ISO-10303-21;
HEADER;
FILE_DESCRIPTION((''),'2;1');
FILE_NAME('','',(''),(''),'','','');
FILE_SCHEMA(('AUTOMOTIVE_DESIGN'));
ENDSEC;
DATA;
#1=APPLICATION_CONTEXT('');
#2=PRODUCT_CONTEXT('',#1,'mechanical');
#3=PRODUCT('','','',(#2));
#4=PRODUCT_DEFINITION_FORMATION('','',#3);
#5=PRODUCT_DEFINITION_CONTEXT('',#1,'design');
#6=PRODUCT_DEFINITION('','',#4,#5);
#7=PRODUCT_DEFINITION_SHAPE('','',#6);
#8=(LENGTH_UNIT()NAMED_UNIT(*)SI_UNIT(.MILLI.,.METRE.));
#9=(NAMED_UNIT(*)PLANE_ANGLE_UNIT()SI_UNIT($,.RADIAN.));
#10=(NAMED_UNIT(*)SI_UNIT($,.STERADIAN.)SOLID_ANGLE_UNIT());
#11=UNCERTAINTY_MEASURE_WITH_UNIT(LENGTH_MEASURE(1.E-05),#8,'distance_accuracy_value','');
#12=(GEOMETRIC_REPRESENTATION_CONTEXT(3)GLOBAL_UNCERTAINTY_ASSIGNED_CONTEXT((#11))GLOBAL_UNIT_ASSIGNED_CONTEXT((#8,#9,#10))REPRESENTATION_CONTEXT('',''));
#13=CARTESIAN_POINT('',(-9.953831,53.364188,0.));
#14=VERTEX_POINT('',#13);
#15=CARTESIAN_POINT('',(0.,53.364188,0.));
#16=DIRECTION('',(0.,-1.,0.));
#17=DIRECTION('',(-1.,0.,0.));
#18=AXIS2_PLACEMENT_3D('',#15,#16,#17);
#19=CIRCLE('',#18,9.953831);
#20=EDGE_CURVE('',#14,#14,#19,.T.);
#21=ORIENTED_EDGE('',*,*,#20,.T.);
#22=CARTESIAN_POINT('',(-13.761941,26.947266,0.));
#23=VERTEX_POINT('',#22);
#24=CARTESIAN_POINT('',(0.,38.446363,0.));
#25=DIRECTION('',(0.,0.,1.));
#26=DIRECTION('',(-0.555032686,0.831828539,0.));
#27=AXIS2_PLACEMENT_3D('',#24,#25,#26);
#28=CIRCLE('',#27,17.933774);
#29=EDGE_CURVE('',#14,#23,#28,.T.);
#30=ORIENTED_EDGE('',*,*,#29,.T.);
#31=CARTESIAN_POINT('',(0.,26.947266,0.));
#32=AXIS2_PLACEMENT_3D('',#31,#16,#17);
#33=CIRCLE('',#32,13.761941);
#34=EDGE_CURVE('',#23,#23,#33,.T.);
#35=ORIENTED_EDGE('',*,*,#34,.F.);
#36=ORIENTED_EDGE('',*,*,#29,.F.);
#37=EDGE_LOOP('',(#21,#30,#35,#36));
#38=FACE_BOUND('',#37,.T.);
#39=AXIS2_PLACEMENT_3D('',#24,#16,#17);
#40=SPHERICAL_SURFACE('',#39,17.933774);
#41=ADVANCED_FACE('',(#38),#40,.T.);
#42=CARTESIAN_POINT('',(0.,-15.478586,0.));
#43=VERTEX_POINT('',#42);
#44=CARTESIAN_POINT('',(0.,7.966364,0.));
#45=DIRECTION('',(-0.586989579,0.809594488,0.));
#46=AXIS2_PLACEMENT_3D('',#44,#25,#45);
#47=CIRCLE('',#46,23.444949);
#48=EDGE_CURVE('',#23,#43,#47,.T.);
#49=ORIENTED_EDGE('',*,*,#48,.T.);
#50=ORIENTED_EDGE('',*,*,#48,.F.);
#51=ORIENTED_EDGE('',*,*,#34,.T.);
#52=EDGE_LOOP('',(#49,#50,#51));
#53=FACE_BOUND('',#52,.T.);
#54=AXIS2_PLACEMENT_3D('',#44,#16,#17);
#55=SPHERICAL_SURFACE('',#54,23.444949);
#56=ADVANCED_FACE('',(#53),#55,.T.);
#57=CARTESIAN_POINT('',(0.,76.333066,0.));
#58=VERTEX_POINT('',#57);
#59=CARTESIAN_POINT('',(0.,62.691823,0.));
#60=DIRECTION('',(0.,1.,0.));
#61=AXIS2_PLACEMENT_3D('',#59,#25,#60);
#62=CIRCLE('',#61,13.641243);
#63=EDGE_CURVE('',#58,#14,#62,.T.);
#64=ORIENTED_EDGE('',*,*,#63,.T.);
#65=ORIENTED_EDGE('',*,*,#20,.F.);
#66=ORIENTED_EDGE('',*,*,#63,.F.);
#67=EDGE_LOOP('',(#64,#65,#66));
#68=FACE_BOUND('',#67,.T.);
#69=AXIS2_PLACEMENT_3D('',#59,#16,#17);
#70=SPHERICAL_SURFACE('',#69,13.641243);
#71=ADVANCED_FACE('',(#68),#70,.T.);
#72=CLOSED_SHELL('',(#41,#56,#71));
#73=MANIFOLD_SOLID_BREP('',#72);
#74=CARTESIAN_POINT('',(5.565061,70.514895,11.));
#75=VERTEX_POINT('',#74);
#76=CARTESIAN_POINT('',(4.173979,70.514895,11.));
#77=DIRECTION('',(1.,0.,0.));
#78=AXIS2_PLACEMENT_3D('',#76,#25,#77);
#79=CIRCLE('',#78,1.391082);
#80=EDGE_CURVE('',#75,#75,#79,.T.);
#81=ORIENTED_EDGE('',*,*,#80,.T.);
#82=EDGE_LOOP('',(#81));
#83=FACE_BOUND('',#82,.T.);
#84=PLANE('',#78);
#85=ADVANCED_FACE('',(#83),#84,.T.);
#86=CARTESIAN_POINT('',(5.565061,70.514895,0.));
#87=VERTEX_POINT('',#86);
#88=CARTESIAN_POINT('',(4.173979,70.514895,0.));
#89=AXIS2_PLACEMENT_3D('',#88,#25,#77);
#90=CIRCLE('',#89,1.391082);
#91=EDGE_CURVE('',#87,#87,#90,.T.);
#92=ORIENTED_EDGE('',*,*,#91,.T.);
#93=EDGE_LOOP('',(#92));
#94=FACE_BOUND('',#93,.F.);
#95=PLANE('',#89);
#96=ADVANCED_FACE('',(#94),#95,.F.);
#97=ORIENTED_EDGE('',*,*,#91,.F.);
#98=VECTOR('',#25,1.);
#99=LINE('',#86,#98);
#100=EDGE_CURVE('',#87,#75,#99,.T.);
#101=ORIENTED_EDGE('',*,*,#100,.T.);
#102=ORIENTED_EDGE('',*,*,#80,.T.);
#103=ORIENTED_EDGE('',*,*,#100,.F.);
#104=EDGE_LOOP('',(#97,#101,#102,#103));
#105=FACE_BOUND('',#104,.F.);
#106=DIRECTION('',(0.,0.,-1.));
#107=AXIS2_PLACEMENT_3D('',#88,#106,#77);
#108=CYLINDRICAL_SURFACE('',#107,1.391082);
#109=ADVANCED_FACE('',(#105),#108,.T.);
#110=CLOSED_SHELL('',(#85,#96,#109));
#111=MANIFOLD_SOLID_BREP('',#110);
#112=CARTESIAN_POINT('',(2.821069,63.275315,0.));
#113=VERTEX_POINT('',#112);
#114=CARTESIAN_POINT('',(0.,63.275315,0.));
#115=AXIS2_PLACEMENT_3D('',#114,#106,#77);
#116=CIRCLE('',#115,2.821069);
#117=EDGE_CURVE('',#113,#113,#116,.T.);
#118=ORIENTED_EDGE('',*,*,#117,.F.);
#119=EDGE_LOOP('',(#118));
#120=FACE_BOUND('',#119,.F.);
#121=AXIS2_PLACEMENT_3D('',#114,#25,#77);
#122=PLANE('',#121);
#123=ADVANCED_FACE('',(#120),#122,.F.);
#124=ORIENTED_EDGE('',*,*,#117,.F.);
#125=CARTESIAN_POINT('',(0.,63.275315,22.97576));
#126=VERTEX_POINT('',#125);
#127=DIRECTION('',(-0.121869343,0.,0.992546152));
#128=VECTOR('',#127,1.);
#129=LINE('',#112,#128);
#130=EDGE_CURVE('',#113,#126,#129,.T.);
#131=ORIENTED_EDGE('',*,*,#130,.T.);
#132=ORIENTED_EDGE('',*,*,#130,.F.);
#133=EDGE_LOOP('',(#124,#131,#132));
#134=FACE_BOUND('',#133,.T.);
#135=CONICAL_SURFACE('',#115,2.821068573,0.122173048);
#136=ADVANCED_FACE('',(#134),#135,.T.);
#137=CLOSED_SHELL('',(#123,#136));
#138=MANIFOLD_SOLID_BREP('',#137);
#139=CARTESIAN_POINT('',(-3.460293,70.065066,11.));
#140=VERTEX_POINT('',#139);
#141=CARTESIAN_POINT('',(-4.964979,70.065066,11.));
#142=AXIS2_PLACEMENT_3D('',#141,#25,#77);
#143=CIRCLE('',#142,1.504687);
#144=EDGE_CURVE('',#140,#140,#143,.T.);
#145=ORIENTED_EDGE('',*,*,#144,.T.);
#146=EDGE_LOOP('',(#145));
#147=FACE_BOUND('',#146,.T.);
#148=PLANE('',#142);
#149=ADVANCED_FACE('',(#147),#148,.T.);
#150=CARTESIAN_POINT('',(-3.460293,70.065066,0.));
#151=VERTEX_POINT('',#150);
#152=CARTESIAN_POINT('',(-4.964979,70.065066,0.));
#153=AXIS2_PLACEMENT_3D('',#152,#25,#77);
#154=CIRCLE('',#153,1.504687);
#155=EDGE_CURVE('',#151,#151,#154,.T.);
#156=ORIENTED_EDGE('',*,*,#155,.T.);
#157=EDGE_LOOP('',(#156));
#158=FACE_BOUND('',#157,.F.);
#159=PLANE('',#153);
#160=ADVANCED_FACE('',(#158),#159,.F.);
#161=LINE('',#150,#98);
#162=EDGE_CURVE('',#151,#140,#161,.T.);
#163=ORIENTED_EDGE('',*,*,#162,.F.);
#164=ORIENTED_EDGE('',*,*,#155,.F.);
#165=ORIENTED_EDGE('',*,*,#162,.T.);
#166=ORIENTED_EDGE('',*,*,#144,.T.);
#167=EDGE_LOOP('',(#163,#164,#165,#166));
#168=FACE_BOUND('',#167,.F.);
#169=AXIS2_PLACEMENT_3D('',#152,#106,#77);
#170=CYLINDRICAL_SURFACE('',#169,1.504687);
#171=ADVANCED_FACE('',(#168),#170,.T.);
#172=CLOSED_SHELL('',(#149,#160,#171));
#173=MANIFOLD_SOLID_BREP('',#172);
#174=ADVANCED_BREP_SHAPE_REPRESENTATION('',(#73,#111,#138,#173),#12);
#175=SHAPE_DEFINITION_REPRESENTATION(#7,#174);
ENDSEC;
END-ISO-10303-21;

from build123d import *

# Parameters (mm, degrees)
F1_R     = 2.8210685725
F2_DEPTH = 76.2
F2_TAPER = 7
F4_R     = 1.3910819669
F5_DEPTH = 11
F4_R_2   = 1.5046868022


with BuildPart() as f2:
    # F1 (on Top) → F2 (new body)
    with BuildSketch(Plane.XY):
        with Locations((0, 63.2753148675)):
            Circle(F1_R)
    extrude(amount=F2_DEPTH, taper=F2_TAPER)


with BuildPart() as f3:
    # F0 (on Top) → F3 (revolve)
    with BuildSketch(Plane.XY):
        with BuildLine():
            Line((0, -15.4785856169), (0, 76.333065689))
            ThreePointArc((0, 76.333065689), (-12.5164699105, 68.1159808946), (-9.9538309344, 53.3641883589))
            ThreePointArc((-9.9538309344, 53.3641883589), (-17.7502932736, 41.0051421787), (-13.7619409873, 26.9472656131))
            ThreePointArc((-13.7619409873, 26.9472656131), (-22.3010306507, 0.7324378146), (0, -15.4785856169))
        make_face()
    revolve(axis=Axis((0, 30.4272400361, 0), (0, -1, 0)))


with BuildPart() as f5:
    # F4 (on Top) → F5 (new body)
    with BuildSketch(Plane.XY):
        with Locations((4.1739786975, 70.5148950219)):
            Circle(F4_R)
    extrude(amount=F5_DEPTH)


with BuildPart() as f5b:
    # F4 (on Top) → F5, piece 2 (new body)
    with BuildSketch(Plane.XY):
        with Locations((-4.9649793655, 70.0650662184)):
            Circle(F4_R_2)
    extrude(amount=F5_DEPTH)


solid = Compound([f2.part, f3.part, f5.part, f5b.part])
